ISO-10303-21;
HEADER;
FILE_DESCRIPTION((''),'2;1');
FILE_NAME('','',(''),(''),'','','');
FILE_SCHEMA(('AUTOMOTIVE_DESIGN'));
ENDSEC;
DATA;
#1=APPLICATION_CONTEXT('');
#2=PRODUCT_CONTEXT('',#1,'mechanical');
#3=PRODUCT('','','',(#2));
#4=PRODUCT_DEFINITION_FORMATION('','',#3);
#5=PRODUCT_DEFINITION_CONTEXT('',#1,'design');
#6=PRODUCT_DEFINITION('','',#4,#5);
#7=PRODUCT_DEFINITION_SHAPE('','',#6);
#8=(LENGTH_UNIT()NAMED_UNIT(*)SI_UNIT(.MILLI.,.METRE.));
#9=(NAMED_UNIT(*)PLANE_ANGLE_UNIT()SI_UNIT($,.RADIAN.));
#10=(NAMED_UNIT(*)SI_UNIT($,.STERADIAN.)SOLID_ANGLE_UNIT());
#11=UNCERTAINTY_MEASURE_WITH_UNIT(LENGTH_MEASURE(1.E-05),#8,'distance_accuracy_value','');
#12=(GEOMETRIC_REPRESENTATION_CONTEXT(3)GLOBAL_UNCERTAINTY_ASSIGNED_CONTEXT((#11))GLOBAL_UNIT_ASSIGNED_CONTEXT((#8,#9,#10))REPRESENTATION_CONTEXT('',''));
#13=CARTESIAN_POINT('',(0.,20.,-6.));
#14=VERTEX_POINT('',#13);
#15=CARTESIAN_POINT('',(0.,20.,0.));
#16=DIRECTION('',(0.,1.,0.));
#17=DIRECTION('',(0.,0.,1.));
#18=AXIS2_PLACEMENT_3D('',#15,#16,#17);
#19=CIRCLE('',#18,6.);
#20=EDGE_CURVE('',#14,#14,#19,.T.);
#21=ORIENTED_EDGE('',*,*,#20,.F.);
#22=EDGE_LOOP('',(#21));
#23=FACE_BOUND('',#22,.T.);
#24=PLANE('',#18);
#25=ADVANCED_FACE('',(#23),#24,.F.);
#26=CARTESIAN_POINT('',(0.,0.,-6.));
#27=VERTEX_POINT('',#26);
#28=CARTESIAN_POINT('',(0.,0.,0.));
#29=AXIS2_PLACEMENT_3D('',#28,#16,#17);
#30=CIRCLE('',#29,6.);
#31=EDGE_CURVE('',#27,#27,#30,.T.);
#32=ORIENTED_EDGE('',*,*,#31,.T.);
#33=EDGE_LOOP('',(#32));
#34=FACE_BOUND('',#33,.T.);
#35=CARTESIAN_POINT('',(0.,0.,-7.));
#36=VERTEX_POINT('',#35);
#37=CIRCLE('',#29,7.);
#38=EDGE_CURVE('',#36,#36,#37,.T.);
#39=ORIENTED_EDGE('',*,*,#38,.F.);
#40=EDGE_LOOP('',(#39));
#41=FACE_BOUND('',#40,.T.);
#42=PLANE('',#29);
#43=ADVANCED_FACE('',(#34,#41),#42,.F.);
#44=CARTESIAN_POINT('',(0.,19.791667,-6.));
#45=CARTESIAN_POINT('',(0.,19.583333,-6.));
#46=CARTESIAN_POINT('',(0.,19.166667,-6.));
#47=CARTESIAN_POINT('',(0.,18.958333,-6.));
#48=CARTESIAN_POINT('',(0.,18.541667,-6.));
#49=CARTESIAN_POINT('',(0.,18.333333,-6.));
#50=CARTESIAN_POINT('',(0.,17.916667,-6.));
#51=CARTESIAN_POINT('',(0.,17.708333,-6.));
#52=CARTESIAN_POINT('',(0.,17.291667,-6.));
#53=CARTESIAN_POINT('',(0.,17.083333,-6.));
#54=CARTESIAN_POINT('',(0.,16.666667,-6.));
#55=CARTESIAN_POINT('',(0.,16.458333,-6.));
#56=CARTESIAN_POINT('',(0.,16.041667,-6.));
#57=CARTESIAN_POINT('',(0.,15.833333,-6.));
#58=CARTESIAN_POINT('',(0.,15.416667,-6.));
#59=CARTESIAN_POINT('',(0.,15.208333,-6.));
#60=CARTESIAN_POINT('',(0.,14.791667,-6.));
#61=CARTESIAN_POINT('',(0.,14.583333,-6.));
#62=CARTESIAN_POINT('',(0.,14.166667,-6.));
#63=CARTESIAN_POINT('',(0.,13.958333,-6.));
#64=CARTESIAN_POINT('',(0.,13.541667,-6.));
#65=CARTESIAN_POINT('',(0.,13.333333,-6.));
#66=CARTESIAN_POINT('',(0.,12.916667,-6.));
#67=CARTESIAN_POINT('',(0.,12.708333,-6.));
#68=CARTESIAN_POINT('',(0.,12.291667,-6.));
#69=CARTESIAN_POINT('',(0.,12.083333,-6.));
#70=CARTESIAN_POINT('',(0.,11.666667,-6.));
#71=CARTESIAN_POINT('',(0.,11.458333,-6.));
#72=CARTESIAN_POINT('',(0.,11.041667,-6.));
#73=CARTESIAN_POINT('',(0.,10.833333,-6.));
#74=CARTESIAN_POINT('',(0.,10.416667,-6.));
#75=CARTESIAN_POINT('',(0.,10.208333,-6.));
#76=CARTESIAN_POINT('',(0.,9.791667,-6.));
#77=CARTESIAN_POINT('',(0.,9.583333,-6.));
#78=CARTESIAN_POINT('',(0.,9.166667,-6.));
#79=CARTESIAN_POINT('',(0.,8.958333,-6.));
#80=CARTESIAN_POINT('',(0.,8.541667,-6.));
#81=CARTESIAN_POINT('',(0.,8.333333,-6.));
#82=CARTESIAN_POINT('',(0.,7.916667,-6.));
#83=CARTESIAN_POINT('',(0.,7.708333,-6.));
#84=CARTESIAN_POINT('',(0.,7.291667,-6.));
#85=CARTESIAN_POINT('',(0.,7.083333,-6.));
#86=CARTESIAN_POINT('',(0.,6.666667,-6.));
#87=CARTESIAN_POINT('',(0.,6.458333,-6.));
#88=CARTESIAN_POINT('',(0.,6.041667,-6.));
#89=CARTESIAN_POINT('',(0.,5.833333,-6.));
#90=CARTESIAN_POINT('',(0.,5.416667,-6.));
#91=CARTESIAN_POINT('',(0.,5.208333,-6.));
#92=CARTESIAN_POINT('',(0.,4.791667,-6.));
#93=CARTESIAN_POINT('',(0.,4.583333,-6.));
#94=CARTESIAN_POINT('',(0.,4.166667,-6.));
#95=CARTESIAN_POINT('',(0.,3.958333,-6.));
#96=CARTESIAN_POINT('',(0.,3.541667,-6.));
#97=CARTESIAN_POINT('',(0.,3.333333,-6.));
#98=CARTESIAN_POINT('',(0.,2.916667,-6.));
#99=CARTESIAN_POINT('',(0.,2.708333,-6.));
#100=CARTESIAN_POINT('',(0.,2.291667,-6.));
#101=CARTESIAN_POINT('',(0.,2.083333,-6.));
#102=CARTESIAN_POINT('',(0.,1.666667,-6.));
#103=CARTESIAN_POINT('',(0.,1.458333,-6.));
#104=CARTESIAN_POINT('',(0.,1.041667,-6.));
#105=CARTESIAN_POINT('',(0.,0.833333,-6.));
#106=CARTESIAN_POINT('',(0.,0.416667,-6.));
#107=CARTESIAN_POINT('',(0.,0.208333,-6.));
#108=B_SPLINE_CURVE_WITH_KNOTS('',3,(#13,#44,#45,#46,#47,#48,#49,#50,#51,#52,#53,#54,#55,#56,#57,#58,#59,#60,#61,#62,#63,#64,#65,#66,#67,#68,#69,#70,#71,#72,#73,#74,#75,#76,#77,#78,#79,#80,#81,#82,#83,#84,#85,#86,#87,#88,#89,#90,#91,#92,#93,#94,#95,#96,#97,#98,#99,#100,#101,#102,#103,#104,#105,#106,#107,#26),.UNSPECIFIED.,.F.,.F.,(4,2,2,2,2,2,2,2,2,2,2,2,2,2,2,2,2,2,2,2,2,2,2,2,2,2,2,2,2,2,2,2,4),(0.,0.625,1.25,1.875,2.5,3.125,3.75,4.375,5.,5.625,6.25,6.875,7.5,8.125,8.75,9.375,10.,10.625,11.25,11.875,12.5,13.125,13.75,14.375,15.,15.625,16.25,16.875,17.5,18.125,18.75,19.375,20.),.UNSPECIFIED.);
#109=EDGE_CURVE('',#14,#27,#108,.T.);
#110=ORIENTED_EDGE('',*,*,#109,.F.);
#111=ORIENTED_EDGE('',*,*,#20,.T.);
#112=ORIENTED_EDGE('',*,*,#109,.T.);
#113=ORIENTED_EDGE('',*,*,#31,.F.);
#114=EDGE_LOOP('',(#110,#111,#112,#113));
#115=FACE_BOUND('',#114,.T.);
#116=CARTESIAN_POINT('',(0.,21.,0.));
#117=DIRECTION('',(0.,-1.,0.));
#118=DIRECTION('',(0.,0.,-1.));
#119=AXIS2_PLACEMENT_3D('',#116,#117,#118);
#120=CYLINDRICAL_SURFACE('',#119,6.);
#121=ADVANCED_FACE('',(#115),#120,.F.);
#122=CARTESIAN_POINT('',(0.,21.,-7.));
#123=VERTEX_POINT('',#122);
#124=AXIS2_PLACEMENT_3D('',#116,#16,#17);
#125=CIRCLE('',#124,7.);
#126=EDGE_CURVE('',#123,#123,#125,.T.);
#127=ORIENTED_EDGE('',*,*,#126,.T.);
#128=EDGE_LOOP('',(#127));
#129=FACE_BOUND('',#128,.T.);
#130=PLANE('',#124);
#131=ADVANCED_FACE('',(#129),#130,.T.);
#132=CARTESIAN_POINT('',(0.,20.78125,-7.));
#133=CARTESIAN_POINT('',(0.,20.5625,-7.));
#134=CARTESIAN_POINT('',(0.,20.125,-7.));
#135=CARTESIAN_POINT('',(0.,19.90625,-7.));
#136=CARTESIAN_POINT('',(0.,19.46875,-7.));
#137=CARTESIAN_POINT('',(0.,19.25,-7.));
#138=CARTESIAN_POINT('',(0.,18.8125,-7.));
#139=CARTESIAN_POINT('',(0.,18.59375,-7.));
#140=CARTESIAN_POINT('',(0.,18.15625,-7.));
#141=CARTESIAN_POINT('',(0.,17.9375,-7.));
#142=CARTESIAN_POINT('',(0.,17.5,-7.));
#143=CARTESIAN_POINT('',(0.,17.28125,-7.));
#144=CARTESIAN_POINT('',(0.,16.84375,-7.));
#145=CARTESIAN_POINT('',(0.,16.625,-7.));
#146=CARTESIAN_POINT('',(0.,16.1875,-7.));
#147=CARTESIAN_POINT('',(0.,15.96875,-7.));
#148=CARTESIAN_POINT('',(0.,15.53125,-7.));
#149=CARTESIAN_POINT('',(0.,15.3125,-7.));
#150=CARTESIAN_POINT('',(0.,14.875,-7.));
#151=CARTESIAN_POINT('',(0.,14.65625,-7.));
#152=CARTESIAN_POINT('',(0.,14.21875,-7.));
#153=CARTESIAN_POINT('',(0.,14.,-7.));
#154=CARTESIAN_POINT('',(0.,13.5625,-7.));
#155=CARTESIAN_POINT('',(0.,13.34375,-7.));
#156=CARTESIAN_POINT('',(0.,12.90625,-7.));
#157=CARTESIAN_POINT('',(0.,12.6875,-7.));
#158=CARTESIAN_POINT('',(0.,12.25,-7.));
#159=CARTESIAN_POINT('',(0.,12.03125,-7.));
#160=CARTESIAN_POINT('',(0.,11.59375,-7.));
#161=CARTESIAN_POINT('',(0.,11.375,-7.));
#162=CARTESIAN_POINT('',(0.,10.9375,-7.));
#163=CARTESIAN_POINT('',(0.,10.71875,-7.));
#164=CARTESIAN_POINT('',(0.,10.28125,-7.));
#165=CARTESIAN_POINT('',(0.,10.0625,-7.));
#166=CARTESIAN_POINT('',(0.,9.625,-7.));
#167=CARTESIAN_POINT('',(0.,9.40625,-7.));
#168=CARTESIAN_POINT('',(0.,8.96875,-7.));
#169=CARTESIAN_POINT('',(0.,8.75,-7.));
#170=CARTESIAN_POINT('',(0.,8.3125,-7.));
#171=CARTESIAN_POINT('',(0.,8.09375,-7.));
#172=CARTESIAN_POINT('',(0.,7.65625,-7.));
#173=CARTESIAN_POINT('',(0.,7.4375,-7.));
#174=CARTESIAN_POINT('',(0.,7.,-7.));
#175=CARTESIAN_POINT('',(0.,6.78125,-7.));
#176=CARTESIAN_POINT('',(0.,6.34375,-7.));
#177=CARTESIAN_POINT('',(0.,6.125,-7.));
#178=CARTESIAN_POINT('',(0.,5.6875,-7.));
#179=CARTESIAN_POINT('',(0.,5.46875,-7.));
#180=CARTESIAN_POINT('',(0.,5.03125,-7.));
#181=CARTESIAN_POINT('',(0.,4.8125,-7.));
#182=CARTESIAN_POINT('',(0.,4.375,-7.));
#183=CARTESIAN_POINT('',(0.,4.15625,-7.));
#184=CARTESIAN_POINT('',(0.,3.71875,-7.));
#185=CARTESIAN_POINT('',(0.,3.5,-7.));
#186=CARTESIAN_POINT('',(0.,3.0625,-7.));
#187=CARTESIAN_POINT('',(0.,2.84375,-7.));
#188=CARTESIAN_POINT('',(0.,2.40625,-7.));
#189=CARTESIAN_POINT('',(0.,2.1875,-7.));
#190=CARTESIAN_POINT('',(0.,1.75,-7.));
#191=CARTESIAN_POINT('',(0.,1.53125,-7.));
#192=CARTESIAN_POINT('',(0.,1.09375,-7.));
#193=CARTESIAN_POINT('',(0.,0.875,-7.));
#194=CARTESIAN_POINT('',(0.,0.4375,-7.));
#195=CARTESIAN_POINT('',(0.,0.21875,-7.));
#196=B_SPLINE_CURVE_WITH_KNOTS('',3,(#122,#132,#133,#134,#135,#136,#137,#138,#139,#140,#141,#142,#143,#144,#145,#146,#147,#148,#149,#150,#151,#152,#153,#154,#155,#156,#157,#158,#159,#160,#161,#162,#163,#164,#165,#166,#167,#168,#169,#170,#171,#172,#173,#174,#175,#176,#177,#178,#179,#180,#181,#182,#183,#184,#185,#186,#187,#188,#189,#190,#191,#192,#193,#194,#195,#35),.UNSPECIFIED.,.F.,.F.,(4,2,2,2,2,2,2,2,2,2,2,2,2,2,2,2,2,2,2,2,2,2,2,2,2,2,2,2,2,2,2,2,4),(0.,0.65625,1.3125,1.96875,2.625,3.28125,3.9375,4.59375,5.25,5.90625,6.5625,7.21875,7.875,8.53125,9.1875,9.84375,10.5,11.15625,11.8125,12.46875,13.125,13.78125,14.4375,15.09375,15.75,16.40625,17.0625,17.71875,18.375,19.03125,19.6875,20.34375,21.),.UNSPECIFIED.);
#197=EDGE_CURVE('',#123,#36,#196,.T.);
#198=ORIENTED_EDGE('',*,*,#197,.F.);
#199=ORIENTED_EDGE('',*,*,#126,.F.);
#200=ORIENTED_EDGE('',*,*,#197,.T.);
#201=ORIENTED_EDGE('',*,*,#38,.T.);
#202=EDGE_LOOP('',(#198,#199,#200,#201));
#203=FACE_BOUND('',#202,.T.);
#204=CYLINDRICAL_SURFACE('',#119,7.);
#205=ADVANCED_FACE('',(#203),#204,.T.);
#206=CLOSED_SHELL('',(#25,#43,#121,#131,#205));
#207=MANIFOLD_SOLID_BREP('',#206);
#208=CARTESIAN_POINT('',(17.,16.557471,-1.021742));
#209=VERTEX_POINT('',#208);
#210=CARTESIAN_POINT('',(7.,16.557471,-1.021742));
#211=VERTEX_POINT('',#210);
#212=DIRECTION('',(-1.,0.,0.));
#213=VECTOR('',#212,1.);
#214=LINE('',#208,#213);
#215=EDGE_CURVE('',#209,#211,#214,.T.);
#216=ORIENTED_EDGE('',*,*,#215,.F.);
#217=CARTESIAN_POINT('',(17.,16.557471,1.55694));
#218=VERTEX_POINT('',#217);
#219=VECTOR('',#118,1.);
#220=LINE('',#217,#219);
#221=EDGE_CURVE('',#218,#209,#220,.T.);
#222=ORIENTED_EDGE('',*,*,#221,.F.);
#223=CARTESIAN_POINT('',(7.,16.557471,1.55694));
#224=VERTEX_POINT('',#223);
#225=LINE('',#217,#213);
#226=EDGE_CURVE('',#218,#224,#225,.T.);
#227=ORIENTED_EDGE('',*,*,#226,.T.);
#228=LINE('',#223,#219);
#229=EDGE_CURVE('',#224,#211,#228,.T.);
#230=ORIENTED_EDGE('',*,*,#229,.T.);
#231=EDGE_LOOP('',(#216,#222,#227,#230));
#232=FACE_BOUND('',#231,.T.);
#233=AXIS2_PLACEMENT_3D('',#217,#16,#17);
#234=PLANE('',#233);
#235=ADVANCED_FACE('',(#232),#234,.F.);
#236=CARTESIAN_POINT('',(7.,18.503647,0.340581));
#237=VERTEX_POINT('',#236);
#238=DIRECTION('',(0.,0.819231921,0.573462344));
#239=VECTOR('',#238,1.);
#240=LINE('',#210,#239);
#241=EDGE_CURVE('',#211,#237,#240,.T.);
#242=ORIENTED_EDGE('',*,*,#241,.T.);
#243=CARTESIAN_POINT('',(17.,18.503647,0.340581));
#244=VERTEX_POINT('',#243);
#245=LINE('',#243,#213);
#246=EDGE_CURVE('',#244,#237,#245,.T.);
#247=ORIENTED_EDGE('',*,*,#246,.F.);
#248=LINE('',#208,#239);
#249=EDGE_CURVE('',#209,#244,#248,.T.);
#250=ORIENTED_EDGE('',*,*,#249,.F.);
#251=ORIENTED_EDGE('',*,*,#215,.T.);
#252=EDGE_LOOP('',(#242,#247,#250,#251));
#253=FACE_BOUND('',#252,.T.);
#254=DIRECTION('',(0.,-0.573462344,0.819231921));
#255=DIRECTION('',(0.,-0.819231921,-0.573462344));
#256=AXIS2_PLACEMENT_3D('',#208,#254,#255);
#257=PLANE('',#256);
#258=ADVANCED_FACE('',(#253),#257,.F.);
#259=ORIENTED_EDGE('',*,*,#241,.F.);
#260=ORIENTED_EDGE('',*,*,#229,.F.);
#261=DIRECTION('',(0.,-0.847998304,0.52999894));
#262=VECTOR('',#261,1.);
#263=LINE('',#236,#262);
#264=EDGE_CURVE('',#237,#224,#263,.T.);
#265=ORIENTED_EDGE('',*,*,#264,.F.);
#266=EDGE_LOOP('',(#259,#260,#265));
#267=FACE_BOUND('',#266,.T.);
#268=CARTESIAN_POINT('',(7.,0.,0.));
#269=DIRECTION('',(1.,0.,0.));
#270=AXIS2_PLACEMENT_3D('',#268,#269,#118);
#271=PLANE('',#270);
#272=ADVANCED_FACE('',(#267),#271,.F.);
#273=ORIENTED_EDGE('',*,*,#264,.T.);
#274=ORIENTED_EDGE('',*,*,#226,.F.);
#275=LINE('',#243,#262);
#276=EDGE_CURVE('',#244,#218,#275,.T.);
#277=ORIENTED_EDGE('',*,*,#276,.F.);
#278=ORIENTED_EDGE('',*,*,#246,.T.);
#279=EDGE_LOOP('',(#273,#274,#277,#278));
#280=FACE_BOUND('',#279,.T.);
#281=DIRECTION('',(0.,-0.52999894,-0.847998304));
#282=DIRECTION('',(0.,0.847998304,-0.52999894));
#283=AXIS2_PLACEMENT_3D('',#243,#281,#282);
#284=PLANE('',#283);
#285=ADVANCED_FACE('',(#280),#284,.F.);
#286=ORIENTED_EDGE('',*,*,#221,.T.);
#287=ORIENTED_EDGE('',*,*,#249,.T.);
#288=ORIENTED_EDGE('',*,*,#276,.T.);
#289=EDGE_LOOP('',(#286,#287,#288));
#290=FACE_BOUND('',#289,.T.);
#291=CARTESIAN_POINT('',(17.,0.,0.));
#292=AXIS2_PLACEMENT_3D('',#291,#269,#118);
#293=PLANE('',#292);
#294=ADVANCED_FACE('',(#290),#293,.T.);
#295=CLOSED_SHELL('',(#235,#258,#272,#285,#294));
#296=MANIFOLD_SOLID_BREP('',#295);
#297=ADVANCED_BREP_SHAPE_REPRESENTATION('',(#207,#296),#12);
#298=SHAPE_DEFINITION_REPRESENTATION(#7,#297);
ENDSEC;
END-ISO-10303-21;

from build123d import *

# Parameters (mm, degrees)
SKETCH1_R           = 7
BOSS_EXTRUDE1_DEPTH = 21
SHELL2_T            = -1
BOSS_EXTRUDE2_DEPTH = 10


with BuildPart() as part:
    # Sketch1 → Boss-Extrude1 (new body)
    with BuildSketch(Plane(origin=(0, 0, 0), x_dir=(1, 0, 0), z_dir=(0, 1, 0))):
        with Locations(Location((0, 0, 0), (0, 0, 90))):
            Circle(SKETCH1_R)
    extrude(amount=BOSS_EXTRUDE1_DEPTH)

    # Shell2
    shell2_openings = [part.faces().sort_by_distance(p)[0] for p in [
        (0, 0, 0),
    ]]
    offset(amount=SHELL2_T, openings=shell2_openings, kind=Kind.INTERSECTION)


with BuildPart() as body_2:
    # Sketch3 → Boss-Extrude2 (new body)
    with BuildSketch(Plane(origin=(7, 0, 0), x_dir=(0, 0, -1), z_dir=(1, 0, 0))):
        Polygon((-0.340580721, 18.503646946), (-1.556940439, 16.557471397), (1.021742163, 16.557471397), align=None)
    extrude(amount=BOSS_EXTRUDE2_DEPTH)


solid = Compound([part.part, body_2.part])
